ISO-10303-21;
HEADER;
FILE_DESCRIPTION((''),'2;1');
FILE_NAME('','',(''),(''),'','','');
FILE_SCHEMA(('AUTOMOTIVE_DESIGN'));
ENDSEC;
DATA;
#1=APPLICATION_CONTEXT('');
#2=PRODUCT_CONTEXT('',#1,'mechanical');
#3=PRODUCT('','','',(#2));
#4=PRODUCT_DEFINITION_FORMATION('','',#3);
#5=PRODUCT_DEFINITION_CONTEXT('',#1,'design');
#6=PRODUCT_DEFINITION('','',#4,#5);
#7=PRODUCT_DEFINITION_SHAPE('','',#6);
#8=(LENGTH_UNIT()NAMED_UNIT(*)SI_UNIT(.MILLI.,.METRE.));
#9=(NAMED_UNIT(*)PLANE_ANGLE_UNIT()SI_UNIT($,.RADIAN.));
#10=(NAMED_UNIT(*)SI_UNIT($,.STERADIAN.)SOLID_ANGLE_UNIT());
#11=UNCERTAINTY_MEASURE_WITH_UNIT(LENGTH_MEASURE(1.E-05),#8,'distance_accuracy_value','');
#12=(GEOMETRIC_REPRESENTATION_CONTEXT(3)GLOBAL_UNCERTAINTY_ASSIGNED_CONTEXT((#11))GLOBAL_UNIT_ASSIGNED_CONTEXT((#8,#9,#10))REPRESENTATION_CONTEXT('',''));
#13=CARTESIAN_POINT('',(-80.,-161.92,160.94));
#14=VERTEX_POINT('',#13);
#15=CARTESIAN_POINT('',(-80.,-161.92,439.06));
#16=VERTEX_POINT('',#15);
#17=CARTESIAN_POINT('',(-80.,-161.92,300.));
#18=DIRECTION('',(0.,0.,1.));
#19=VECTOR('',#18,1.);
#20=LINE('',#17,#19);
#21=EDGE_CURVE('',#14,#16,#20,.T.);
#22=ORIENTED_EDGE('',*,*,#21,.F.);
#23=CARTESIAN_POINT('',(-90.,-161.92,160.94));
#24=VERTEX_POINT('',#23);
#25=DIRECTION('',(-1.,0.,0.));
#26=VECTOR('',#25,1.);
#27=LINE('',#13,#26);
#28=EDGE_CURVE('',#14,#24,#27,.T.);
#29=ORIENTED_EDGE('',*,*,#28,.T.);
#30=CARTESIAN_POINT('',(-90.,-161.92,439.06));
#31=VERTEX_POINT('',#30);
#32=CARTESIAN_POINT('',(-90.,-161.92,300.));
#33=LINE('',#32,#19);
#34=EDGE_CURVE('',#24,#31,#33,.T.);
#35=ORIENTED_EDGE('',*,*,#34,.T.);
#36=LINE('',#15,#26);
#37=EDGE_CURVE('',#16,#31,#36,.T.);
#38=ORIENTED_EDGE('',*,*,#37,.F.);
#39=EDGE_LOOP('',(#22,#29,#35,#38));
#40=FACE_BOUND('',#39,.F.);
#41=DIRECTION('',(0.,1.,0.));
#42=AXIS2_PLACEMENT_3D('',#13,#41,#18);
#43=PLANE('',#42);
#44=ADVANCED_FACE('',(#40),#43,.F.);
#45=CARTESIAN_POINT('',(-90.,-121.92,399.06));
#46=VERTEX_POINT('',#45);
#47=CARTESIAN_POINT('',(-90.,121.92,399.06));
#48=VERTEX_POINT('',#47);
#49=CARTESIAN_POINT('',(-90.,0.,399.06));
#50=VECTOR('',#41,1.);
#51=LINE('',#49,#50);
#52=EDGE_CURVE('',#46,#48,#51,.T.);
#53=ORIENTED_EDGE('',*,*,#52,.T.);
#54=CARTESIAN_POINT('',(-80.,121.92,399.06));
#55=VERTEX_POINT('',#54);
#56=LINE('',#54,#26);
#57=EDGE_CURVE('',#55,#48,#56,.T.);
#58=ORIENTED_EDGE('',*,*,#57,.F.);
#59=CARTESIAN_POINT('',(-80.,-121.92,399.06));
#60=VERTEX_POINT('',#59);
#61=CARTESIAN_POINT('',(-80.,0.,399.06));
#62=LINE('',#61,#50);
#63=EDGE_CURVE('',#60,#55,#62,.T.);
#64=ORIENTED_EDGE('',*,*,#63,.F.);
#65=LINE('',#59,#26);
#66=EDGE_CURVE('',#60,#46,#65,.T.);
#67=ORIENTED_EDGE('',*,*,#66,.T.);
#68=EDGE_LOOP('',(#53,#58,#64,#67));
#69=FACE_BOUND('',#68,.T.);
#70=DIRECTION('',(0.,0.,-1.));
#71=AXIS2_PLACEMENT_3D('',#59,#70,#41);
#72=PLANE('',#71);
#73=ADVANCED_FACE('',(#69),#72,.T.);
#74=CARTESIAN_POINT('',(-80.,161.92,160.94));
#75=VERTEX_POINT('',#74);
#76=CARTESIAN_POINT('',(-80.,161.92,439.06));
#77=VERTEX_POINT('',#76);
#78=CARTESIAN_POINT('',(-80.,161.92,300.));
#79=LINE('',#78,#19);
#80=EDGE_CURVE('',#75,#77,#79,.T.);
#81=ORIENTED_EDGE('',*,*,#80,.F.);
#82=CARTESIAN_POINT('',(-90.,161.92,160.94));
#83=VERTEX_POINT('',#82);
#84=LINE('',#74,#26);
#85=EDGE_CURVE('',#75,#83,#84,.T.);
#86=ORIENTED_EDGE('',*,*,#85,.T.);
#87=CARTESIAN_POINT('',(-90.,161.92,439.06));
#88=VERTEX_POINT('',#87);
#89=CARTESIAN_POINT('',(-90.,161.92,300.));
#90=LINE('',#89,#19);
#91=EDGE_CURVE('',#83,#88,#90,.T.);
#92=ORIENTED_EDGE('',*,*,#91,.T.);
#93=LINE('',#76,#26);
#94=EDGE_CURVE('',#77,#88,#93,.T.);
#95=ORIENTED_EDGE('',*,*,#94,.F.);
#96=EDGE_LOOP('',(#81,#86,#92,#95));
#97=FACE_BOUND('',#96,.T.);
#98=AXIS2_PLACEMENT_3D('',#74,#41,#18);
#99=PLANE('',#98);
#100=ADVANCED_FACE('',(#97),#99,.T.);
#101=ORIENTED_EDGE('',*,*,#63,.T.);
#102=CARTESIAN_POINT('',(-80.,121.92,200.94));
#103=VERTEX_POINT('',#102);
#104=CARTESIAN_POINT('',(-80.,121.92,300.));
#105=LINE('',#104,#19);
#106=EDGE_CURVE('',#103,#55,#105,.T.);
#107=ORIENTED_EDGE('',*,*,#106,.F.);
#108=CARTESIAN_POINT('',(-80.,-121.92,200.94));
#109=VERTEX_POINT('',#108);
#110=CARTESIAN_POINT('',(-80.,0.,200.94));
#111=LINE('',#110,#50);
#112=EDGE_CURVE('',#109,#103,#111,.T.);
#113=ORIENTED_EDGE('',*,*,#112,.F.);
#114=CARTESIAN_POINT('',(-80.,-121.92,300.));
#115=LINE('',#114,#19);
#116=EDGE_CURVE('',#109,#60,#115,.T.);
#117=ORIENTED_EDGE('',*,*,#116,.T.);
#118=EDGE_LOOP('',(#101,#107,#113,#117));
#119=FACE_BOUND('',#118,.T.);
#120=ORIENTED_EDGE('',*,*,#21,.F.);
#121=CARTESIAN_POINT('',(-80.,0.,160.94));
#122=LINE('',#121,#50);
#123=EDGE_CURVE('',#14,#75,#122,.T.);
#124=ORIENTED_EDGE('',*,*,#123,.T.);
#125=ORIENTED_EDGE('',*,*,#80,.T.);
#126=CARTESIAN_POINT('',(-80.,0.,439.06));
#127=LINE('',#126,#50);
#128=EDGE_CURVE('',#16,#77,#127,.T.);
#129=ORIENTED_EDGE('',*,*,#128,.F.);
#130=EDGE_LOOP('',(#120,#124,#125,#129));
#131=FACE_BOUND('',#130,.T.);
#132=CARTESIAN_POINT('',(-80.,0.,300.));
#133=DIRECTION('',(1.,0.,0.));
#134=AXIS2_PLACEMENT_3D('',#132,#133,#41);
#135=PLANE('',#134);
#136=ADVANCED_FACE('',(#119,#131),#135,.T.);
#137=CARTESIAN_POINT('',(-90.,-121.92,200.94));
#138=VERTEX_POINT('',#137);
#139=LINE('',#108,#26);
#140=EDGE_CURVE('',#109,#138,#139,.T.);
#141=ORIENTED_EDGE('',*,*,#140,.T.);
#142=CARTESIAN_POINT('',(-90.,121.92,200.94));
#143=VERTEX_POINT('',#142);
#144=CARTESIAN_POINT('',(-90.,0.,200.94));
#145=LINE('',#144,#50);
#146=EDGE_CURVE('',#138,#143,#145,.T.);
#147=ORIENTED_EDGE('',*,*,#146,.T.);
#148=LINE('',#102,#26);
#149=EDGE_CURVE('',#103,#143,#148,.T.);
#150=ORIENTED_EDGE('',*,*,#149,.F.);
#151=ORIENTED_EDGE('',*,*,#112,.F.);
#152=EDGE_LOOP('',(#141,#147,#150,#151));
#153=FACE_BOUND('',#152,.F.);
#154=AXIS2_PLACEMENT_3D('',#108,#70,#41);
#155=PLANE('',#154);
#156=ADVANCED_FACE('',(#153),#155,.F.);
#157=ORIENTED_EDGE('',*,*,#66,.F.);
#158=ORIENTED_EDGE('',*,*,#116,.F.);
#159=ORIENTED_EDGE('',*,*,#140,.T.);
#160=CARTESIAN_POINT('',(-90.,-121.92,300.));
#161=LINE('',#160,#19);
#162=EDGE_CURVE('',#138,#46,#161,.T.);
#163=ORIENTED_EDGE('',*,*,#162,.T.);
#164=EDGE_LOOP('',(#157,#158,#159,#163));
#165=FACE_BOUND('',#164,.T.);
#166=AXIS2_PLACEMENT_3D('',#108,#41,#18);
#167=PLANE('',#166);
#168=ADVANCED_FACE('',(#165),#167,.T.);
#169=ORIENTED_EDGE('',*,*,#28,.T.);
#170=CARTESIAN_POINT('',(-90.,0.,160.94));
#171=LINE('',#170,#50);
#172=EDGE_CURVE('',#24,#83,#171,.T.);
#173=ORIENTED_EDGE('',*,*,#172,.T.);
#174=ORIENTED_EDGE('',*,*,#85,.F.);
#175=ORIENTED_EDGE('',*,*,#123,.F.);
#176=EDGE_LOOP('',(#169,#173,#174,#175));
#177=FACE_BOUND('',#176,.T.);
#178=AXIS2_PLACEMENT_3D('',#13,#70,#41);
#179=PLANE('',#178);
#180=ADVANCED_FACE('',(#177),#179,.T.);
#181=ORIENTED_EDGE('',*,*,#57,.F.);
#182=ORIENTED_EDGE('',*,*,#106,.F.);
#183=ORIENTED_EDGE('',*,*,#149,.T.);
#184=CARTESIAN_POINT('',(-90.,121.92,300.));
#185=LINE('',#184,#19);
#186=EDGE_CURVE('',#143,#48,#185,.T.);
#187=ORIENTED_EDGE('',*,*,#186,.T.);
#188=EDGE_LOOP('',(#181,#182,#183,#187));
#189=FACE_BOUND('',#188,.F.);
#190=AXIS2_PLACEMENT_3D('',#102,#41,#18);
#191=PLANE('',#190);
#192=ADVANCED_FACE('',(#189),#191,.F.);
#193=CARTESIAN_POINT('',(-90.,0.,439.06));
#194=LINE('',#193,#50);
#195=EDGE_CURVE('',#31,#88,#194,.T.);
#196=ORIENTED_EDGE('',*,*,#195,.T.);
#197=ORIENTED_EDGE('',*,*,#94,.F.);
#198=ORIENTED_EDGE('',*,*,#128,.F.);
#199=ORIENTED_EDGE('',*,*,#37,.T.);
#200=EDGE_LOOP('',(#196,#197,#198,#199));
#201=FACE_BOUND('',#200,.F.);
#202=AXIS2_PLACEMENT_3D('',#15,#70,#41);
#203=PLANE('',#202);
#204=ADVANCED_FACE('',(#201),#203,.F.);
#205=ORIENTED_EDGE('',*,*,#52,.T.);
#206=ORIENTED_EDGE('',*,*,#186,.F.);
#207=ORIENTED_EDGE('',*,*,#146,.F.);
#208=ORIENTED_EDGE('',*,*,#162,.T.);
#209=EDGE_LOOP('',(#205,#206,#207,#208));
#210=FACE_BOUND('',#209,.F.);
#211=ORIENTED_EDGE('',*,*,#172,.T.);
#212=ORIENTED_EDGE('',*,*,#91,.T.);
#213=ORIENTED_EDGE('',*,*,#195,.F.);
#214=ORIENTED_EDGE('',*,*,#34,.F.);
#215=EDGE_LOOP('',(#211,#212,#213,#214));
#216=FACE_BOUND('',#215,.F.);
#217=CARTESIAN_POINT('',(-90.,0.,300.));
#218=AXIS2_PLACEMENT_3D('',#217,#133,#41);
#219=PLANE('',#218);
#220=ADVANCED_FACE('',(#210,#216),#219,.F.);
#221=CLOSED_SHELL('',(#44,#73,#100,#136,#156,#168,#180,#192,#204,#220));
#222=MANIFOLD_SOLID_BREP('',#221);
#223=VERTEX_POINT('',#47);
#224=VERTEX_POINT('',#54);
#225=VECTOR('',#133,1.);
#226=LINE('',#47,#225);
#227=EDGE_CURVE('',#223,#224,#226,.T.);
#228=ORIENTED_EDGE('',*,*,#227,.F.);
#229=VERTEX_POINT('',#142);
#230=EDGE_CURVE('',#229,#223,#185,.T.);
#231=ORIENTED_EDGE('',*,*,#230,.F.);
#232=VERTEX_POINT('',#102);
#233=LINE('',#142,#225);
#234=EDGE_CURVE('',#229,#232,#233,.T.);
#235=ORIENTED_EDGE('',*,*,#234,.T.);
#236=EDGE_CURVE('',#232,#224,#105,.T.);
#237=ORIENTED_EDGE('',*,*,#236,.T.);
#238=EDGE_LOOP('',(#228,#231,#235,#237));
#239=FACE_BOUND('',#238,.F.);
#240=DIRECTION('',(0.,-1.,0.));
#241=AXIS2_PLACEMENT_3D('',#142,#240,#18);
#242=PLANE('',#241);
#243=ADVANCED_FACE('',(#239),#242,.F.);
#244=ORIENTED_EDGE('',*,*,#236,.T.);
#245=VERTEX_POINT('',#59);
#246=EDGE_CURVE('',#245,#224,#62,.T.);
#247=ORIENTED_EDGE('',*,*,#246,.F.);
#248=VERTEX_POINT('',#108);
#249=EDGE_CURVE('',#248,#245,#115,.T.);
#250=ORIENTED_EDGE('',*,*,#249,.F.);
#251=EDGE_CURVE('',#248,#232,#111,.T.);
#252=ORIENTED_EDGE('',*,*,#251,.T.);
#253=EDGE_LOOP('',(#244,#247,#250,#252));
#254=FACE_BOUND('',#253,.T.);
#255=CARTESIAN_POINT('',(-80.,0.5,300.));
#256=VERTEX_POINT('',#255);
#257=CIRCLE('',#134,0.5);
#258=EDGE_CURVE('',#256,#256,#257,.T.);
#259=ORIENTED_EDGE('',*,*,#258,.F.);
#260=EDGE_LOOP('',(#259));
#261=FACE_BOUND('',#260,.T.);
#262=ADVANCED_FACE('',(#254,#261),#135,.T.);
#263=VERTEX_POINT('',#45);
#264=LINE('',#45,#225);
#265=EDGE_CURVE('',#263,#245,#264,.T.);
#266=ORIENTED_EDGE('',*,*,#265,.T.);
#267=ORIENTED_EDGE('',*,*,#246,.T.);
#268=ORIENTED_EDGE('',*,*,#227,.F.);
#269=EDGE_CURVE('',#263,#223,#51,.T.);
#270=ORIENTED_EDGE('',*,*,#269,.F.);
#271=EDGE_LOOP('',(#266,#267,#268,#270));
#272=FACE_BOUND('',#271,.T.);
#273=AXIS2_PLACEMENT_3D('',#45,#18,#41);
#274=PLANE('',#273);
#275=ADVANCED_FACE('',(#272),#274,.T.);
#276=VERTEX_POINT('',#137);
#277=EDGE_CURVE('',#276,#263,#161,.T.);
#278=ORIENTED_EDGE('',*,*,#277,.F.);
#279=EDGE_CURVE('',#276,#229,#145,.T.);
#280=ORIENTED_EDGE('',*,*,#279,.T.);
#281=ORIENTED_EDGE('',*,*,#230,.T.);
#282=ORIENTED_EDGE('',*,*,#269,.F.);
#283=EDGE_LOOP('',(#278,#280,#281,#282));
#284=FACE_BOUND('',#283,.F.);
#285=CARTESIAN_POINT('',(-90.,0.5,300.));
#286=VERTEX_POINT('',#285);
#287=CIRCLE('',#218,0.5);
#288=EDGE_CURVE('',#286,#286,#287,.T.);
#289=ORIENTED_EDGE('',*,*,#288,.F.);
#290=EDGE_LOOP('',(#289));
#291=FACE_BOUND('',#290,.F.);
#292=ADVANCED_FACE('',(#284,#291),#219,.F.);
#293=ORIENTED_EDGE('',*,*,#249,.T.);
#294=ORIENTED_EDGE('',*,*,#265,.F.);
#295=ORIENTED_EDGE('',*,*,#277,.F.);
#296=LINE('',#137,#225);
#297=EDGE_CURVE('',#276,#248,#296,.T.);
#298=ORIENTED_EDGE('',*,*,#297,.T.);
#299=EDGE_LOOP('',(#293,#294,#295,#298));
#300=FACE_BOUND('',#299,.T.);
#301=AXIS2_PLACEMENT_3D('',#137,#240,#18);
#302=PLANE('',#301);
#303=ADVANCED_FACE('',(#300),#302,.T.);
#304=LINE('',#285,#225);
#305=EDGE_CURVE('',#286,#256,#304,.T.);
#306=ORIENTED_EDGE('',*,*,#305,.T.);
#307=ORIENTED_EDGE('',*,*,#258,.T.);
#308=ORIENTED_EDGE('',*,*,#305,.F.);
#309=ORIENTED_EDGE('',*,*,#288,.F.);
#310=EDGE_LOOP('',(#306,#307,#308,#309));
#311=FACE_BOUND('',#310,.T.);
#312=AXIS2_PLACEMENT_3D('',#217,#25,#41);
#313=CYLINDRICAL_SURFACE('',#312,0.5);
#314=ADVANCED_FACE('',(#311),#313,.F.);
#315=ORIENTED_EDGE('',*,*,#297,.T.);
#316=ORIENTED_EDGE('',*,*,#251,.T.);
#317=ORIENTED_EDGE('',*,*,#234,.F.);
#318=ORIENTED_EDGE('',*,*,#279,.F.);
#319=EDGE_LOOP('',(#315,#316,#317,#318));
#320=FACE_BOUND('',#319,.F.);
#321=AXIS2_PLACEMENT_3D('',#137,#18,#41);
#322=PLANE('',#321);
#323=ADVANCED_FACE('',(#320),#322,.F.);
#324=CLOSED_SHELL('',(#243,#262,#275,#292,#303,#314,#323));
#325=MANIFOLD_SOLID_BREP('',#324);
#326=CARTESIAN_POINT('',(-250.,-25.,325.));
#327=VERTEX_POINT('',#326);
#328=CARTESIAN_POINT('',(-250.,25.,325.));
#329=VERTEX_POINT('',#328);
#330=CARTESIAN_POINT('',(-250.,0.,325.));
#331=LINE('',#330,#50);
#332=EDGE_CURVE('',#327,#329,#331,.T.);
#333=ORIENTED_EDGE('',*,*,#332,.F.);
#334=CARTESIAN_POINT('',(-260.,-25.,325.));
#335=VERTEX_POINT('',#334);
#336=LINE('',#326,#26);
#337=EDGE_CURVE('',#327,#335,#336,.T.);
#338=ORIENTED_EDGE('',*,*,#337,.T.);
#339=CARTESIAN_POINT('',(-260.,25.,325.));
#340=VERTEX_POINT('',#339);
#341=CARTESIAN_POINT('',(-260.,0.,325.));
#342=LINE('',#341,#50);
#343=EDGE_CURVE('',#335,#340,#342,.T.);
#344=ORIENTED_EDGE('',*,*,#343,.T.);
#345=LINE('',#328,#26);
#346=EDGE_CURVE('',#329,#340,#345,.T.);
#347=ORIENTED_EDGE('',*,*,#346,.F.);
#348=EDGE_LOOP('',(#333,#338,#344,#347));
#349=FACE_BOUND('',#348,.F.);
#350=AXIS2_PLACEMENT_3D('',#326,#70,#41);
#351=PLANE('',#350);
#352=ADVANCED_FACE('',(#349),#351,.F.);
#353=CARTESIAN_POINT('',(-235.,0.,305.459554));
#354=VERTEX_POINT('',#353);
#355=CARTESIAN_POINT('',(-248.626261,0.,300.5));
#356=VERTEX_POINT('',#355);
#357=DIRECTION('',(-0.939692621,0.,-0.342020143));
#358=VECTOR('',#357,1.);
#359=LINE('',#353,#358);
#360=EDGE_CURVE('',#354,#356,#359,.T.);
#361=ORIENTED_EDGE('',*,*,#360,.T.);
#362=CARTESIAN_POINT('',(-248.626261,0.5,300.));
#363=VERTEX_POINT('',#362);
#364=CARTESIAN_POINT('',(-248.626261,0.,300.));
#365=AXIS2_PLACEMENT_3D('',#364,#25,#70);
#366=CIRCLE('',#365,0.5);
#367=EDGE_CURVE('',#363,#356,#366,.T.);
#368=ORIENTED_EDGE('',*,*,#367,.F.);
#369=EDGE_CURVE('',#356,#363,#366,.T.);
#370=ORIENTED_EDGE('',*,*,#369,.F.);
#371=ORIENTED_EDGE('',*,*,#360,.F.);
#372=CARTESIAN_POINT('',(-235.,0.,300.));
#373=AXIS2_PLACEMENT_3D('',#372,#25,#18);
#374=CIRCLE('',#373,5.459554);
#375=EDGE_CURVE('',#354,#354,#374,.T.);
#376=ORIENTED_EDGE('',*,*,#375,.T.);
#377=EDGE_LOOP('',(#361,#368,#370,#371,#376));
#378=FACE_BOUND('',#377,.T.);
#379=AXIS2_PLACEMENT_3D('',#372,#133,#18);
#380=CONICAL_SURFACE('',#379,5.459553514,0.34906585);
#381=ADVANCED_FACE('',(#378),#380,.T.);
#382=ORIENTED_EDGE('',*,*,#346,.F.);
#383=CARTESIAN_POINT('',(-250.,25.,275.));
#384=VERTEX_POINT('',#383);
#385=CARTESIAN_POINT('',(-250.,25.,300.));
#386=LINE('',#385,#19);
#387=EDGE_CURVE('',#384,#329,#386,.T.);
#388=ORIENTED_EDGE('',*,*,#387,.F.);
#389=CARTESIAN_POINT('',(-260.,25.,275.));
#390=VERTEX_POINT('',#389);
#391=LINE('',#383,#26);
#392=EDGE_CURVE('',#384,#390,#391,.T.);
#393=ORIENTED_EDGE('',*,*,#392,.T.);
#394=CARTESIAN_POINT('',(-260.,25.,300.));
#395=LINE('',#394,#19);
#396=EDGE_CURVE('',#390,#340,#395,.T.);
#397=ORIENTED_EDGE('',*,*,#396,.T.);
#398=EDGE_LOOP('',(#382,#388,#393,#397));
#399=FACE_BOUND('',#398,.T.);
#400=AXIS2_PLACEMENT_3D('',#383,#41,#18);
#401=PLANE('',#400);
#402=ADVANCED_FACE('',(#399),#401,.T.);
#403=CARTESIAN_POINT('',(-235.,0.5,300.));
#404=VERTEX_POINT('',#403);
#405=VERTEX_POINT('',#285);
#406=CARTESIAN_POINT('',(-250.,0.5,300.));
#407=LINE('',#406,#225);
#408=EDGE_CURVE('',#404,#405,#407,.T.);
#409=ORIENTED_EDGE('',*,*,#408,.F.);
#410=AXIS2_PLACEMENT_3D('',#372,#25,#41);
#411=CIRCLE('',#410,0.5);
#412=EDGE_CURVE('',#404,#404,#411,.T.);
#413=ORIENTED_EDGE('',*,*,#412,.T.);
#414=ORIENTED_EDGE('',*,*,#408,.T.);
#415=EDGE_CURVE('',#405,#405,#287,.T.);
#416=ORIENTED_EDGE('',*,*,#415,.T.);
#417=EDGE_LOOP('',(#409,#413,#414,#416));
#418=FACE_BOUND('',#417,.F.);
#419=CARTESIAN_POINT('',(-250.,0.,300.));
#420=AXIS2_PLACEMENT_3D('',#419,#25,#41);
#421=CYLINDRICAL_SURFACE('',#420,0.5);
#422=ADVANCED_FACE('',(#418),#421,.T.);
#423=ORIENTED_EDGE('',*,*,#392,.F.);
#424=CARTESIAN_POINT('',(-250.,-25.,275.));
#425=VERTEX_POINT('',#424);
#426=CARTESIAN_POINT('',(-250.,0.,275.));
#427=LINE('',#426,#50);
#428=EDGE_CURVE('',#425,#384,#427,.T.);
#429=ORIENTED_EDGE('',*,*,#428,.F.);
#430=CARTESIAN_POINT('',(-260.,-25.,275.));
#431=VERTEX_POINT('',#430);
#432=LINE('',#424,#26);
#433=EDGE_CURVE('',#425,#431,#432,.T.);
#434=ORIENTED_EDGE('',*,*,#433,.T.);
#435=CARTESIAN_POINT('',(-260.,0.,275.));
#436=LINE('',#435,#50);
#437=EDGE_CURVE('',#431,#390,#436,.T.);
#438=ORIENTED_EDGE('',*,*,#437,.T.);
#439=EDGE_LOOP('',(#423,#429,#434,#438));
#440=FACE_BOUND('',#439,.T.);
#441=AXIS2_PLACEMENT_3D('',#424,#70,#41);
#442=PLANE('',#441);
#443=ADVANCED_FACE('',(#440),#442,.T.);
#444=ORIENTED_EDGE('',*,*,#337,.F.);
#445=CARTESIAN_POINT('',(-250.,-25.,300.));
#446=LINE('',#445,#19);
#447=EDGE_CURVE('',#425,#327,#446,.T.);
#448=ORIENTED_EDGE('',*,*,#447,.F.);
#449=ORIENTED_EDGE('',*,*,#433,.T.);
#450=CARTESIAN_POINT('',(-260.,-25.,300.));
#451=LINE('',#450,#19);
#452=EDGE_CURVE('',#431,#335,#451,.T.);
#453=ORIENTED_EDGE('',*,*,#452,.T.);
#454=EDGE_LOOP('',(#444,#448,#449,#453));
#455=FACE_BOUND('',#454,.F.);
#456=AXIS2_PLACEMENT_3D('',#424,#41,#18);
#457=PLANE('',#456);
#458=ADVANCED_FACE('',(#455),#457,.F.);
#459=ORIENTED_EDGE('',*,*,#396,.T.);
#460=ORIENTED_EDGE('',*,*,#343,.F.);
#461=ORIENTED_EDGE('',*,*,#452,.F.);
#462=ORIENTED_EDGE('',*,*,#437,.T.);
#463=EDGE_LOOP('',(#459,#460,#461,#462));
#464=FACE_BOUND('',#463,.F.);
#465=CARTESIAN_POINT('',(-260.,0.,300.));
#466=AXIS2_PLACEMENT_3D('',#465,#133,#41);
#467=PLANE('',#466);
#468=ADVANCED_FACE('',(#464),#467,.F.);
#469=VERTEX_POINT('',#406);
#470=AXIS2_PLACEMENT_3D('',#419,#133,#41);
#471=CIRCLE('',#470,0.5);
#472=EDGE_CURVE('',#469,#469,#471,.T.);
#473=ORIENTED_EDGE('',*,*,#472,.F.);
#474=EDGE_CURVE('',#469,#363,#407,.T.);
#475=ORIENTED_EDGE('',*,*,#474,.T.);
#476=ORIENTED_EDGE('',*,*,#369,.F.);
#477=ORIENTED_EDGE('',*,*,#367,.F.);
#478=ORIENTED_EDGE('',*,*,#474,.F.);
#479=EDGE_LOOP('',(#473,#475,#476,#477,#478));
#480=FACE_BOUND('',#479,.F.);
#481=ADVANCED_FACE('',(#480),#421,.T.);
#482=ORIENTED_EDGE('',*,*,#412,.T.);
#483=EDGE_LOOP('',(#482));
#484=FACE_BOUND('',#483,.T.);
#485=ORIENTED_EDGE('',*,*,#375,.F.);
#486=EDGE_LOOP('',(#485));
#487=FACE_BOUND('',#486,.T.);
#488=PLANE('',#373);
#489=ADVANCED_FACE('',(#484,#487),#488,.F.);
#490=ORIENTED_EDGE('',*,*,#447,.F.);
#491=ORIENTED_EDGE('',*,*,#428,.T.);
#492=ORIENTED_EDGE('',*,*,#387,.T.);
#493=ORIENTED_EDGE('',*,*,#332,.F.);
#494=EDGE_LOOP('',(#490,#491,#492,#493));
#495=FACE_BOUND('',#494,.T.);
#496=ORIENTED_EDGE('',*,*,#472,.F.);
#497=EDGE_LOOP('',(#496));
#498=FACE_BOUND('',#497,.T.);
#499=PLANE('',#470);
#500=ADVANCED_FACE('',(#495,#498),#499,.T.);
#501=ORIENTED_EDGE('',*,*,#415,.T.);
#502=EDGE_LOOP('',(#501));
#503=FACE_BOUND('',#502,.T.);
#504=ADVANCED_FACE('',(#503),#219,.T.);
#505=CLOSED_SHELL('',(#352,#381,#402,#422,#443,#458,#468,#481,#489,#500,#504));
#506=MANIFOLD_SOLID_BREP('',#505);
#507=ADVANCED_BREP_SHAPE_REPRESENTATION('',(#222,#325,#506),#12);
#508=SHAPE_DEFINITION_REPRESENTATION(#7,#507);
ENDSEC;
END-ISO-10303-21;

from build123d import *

# Parameters (mm, degrees)
F0_W      = 700
F0_H      = 700
F1_DEPTH  = 70
F2_R      = 285.1890902305
F3_DEPTH  = 10
F4_R      = 219.196638876
F5_DEPTH  = 25
F6_R      = 146.5573641712
F7_DEPTH  = 25
F9_W      = 50
F9_H      = 50
F10_DEPTH = 10
F11_R     = 0.5
F12_DEPTH = 160
F13_SIZE  = 5
F14_R     = 2
F18_W     = 243.84
F18_H     = 198.12
F18_R     = 0.5
F19_DEPTH = 10
F20_W     = 323.84
F20_H     = 278.12
F20_W_2   = 243.84
F20_H_2   = 198.12
F21_DEPTH = 10


with BuildPart() as f1:
    # F0 (on Top) → F1 (new body)
    with BuildSketch(Plane.XY):
        Rectangle(F0_W, F0_H)
    extrude(amount=-F1_DEPTH)

    # F2 (on face) → F3 (join)
    with BuildSketch(Plane.XY):
        Circle(F2_R)
    extrude(amount=F3_DEPTH)

    # F4 (on face) → F5 (join)
    with BuildSketch(Plane.XY.offset(10)):
        Circle(F4_R)
    extrude(amount=F5_DEPTH)

    # F6 (on face) → F7 (join)
    with BuildSketch(Plane.XY.offset(35)):
        Circle(F6_R)
    extrude(amount=F7_DEPTH)

    # F13
    f13_edges = [f1.edges().sort_by_distance(p)[0] for p in [
        (-146.557364, 0, 60),
        (-219.196639, 0, 35),
        (-285.18909, 0, 10),
    ]]
    chamfer(f13_edges, length=F13_SIZE)

    # F14
    f14_edges = [f1.edges().sort_by_distance(p)[0] for p in [
        (0, -350, 0),
        (0, 350, 0),
        (350, 0, 0),
        (-350, 0, 0),
        (-285.18909, 0, 0),
    ]]
    fillet(f14_edges, radius=F14_R)


with BuildPart() as f10:
    # F9 (on offset) → F10 (new body)
    with BuildSketch(Plane.YZ.offset(-250)):
        with Locations((0, 300)):
            Rectangle(F9_W, F9_H)
    extrude(amount=-F10_DEPTH)

    # F11 (on face) → F12 (join)
    with BuildSketch(Plane.YZ.offset(-250)):
        with Locations((0, 300)):
            Circle(F11_R)
    extrude(amount=F12_DEPTH)

    # F15 (on Front) → F16 (revolve)
    with BuildSketch(Plane.XZ):
        Polygon((-235, 305.459553514), (-250, 300), (-235, 300), align=None)
    revolve(axis=Axis((-242.5, 0, 300), (-1, 0, 0)))


with BuildPart() as f19:
    # F18 (on face) → F19 (new body)
    with BuildSketch(Plane.YZ.offset(-90)):
        with Locations((0, 300)):
            Rectangle(F18_W, F18_H)
        with Locations((0, 300)):
            Circle(F18_R, mode=Mode.SUBTRACT)
    extrude(amount=F19_DEPTH)


with BuildPart() as f21:
    # F20 (on face) → F21 (new body, through all)
    with BuildSketch(Plane.YZ.offset(-80)):
        with Locations((0, 300)):
            Rectangle(F20_W, F20_H)
        with Locations((0, 300)):
            Rectangle(F20_W_2, F20_H_2, mode=Mode.SUBTRACT)
    extrude(amount=-F21_DEPTH)


solid = Compound([f10.part, f19.part, f21.part])
